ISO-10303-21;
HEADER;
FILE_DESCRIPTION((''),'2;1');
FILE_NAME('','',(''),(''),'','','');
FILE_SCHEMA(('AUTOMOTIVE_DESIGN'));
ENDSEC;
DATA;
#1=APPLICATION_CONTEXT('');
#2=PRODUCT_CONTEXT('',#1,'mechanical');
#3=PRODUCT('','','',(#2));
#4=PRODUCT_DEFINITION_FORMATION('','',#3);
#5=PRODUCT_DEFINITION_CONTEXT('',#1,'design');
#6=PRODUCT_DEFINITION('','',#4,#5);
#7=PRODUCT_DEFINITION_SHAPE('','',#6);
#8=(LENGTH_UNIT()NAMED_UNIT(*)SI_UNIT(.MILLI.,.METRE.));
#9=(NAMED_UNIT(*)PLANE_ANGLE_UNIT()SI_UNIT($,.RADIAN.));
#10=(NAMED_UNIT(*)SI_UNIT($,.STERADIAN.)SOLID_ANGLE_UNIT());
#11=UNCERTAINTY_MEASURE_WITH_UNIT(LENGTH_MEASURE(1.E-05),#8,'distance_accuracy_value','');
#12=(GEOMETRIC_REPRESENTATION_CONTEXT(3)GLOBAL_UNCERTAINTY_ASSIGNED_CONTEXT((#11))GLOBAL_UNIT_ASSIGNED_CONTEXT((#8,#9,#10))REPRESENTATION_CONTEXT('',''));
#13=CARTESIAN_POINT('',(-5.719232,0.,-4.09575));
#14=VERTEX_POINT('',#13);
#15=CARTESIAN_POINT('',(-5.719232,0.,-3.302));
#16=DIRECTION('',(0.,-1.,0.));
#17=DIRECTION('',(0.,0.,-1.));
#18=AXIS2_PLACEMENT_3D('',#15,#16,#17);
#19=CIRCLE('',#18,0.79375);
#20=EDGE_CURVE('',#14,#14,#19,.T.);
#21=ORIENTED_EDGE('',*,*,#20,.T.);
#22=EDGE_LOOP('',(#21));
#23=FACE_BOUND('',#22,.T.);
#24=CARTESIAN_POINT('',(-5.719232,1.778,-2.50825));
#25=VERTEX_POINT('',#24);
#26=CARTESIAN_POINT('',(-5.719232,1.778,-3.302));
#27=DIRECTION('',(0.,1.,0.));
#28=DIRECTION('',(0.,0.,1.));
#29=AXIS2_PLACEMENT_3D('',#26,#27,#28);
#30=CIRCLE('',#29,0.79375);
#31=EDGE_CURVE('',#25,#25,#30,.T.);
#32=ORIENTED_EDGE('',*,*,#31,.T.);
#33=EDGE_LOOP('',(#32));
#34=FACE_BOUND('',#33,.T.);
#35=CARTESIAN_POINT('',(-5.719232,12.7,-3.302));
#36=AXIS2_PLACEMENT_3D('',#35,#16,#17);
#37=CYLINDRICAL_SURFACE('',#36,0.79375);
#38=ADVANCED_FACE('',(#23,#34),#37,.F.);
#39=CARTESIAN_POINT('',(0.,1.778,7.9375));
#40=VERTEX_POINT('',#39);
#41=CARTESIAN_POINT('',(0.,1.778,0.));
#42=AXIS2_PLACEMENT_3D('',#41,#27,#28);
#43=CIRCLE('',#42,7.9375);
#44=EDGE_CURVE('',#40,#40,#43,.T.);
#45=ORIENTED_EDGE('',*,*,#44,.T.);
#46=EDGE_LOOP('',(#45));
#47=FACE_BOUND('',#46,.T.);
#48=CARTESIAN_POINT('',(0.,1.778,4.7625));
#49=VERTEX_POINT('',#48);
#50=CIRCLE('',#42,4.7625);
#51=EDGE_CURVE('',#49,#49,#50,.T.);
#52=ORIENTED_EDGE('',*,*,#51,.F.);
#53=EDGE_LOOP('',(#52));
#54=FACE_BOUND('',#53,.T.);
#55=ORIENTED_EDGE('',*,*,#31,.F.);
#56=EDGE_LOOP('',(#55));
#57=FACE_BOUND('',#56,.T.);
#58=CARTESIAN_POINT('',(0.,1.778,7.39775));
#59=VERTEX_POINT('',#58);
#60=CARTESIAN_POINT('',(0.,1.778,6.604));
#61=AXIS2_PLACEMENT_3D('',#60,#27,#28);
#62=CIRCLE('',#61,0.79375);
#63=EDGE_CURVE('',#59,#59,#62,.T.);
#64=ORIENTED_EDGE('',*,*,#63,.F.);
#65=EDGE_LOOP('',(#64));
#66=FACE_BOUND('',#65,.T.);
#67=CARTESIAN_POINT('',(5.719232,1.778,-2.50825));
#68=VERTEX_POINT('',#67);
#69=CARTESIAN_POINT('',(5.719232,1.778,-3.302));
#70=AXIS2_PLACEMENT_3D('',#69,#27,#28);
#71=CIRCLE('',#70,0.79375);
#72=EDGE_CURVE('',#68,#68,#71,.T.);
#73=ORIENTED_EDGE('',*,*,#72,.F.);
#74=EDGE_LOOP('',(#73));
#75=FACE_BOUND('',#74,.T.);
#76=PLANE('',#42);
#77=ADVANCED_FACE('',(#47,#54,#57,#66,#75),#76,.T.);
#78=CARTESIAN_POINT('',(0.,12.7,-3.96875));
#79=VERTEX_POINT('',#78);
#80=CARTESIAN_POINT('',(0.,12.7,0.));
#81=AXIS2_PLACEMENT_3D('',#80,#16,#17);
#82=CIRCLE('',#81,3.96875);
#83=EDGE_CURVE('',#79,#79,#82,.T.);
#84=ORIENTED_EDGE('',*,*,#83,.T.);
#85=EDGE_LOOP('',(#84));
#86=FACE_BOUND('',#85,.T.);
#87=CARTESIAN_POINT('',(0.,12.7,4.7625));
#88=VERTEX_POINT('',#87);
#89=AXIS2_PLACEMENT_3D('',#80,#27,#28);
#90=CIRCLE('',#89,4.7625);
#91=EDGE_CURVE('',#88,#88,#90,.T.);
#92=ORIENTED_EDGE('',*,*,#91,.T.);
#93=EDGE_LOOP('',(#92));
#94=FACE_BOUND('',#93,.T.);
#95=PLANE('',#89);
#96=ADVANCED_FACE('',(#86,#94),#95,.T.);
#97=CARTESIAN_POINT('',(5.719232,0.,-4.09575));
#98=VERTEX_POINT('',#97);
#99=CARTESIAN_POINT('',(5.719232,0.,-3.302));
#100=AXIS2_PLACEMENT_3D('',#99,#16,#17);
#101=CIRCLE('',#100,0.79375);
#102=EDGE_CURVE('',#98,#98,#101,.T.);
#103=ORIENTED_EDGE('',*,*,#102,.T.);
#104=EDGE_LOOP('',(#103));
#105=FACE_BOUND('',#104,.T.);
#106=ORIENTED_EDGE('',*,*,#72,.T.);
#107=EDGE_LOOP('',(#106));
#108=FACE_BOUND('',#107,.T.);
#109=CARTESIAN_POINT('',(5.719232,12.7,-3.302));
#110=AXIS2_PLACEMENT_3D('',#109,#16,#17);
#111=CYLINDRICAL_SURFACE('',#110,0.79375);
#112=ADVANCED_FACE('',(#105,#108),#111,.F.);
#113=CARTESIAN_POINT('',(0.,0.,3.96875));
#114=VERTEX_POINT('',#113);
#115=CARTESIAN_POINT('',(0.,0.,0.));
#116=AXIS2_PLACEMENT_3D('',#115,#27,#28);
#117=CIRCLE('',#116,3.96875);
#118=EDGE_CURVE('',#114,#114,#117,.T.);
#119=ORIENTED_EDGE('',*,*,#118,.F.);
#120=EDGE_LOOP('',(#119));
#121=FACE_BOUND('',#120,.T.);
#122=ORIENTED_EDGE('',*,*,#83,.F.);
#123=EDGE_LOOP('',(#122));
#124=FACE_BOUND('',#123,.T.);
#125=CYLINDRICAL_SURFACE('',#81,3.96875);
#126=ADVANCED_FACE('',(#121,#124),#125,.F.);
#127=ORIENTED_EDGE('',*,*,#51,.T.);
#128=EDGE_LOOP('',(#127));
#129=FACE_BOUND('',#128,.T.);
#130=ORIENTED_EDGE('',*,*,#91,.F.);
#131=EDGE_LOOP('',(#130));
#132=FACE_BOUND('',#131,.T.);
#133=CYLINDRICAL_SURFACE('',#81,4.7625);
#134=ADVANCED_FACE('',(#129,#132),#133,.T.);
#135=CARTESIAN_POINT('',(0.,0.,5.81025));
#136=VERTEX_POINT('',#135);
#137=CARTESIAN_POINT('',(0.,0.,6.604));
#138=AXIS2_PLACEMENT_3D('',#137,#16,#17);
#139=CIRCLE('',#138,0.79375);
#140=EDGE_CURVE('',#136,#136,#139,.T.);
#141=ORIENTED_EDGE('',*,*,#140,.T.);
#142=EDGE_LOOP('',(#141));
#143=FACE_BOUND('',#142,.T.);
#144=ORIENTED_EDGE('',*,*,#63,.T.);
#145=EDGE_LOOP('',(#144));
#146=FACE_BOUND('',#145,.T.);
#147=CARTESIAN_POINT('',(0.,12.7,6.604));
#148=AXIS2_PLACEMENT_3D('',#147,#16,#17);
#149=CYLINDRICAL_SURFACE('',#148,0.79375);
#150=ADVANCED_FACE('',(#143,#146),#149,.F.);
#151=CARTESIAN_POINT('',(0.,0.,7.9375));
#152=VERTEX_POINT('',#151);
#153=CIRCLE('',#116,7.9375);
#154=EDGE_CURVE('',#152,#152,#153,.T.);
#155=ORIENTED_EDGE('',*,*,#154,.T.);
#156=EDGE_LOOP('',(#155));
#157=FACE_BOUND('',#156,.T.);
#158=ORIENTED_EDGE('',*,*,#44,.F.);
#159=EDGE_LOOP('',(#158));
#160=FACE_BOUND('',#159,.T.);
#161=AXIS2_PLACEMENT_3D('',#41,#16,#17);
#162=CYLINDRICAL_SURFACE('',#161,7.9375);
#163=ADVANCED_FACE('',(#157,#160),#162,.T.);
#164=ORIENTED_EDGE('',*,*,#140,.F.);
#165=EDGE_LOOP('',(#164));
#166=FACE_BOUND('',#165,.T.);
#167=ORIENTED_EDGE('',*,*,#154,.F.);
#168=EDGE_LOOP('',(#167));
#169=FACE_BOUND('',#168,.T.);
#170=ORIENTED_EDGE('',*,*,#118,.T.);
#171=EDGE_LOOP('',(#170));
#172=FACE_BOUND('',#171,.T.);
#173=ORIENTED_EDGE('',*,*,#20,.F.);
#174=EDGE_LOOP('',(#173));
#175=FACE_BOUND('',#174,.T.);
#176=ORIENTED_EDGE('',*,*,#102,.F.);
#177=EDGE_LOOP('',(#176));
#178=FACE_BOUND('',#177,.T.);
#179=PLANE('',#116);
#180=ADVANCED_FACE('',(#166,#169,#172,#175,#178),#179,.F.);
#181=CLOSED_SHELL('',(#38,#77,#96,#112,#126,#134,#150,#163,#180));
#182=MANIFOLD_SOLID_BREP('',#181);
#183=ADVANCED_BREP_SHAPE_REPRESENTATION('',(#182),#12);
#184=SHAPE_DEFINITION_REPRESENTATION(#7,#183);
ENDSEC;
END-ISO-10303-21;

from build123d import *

# Parameters (mm, degrees)
SKETCH1_R               = 7.9375
BOSS_EXTRUDE1_DEPTH     = 1.778
SKETCH2_R               = 4.7625
BOSS_EXTRUDE2_DEPTH     = 10.922
SKETCH4_R               = 3.96875
CUT_EXTRUDE3_DEPTH      = 1
CUT_EXTRUDE3_DEPTH_BACK = 13.7
SKETCH7_R               = 0.79375
CUT_EXTRUDE5_DEPTH      = 13.7


with BuildPart() as part:
    # Sketch1 → Boss-Extrude1 (new body)
    with BuildSketch(Plane(origin=(0, 0, 0), x_dir=(1, 0, 0), z_dir=(0, 1, 0))):
        Circle(SKETCH1_R)
    extrude(amount=BOSS_EXTRUDE1_DEPTH)

    # Sketch2 → Boss-Extrude2 (add)
    with BuildSketch(Plane(origin=(0, 1.778, 0), x_dir=(1, 0, 0), z_dir=(0, 1, 0))):
        Circle(SKETCH2_R)
    extrude(amount=BOSS_EXTRUDE2_DEPTH)

    # Sketch4 → Cut-Extrude3 (cut, two sides)
    with BuildSketch(Plane.XZ) as cut_extrude3_sk:
        Circle(SKETCH4_R)
    extrude(amount=CUT_EXTRUDE3_DEPTH, mode=Mode.SUBTRACT)
    extrude(cut_extrude3_sk.sketch, amount=-CUT_EXTRUDE3_DEPTH_BACK, mode=Mode.SUBTRACT)

    # Sketch7 → Cut-Extrude5 (cut, through all)
    with BuildSketch(Plane.XZ):
        with Locations((0, 6.604)):
            Circle(SKETCH7_R)
        with Locations((5.719231767, -3.302)):
            Circle(SKETCH7_R)
        with Locations((-5.719231767, -3.302)):
            Circle(SKETCH7_R)
    extrude(amount=-CUT_EXTRUDE5_DEPTH, mode=Mode.SUBTRACT)


solid = part.part
